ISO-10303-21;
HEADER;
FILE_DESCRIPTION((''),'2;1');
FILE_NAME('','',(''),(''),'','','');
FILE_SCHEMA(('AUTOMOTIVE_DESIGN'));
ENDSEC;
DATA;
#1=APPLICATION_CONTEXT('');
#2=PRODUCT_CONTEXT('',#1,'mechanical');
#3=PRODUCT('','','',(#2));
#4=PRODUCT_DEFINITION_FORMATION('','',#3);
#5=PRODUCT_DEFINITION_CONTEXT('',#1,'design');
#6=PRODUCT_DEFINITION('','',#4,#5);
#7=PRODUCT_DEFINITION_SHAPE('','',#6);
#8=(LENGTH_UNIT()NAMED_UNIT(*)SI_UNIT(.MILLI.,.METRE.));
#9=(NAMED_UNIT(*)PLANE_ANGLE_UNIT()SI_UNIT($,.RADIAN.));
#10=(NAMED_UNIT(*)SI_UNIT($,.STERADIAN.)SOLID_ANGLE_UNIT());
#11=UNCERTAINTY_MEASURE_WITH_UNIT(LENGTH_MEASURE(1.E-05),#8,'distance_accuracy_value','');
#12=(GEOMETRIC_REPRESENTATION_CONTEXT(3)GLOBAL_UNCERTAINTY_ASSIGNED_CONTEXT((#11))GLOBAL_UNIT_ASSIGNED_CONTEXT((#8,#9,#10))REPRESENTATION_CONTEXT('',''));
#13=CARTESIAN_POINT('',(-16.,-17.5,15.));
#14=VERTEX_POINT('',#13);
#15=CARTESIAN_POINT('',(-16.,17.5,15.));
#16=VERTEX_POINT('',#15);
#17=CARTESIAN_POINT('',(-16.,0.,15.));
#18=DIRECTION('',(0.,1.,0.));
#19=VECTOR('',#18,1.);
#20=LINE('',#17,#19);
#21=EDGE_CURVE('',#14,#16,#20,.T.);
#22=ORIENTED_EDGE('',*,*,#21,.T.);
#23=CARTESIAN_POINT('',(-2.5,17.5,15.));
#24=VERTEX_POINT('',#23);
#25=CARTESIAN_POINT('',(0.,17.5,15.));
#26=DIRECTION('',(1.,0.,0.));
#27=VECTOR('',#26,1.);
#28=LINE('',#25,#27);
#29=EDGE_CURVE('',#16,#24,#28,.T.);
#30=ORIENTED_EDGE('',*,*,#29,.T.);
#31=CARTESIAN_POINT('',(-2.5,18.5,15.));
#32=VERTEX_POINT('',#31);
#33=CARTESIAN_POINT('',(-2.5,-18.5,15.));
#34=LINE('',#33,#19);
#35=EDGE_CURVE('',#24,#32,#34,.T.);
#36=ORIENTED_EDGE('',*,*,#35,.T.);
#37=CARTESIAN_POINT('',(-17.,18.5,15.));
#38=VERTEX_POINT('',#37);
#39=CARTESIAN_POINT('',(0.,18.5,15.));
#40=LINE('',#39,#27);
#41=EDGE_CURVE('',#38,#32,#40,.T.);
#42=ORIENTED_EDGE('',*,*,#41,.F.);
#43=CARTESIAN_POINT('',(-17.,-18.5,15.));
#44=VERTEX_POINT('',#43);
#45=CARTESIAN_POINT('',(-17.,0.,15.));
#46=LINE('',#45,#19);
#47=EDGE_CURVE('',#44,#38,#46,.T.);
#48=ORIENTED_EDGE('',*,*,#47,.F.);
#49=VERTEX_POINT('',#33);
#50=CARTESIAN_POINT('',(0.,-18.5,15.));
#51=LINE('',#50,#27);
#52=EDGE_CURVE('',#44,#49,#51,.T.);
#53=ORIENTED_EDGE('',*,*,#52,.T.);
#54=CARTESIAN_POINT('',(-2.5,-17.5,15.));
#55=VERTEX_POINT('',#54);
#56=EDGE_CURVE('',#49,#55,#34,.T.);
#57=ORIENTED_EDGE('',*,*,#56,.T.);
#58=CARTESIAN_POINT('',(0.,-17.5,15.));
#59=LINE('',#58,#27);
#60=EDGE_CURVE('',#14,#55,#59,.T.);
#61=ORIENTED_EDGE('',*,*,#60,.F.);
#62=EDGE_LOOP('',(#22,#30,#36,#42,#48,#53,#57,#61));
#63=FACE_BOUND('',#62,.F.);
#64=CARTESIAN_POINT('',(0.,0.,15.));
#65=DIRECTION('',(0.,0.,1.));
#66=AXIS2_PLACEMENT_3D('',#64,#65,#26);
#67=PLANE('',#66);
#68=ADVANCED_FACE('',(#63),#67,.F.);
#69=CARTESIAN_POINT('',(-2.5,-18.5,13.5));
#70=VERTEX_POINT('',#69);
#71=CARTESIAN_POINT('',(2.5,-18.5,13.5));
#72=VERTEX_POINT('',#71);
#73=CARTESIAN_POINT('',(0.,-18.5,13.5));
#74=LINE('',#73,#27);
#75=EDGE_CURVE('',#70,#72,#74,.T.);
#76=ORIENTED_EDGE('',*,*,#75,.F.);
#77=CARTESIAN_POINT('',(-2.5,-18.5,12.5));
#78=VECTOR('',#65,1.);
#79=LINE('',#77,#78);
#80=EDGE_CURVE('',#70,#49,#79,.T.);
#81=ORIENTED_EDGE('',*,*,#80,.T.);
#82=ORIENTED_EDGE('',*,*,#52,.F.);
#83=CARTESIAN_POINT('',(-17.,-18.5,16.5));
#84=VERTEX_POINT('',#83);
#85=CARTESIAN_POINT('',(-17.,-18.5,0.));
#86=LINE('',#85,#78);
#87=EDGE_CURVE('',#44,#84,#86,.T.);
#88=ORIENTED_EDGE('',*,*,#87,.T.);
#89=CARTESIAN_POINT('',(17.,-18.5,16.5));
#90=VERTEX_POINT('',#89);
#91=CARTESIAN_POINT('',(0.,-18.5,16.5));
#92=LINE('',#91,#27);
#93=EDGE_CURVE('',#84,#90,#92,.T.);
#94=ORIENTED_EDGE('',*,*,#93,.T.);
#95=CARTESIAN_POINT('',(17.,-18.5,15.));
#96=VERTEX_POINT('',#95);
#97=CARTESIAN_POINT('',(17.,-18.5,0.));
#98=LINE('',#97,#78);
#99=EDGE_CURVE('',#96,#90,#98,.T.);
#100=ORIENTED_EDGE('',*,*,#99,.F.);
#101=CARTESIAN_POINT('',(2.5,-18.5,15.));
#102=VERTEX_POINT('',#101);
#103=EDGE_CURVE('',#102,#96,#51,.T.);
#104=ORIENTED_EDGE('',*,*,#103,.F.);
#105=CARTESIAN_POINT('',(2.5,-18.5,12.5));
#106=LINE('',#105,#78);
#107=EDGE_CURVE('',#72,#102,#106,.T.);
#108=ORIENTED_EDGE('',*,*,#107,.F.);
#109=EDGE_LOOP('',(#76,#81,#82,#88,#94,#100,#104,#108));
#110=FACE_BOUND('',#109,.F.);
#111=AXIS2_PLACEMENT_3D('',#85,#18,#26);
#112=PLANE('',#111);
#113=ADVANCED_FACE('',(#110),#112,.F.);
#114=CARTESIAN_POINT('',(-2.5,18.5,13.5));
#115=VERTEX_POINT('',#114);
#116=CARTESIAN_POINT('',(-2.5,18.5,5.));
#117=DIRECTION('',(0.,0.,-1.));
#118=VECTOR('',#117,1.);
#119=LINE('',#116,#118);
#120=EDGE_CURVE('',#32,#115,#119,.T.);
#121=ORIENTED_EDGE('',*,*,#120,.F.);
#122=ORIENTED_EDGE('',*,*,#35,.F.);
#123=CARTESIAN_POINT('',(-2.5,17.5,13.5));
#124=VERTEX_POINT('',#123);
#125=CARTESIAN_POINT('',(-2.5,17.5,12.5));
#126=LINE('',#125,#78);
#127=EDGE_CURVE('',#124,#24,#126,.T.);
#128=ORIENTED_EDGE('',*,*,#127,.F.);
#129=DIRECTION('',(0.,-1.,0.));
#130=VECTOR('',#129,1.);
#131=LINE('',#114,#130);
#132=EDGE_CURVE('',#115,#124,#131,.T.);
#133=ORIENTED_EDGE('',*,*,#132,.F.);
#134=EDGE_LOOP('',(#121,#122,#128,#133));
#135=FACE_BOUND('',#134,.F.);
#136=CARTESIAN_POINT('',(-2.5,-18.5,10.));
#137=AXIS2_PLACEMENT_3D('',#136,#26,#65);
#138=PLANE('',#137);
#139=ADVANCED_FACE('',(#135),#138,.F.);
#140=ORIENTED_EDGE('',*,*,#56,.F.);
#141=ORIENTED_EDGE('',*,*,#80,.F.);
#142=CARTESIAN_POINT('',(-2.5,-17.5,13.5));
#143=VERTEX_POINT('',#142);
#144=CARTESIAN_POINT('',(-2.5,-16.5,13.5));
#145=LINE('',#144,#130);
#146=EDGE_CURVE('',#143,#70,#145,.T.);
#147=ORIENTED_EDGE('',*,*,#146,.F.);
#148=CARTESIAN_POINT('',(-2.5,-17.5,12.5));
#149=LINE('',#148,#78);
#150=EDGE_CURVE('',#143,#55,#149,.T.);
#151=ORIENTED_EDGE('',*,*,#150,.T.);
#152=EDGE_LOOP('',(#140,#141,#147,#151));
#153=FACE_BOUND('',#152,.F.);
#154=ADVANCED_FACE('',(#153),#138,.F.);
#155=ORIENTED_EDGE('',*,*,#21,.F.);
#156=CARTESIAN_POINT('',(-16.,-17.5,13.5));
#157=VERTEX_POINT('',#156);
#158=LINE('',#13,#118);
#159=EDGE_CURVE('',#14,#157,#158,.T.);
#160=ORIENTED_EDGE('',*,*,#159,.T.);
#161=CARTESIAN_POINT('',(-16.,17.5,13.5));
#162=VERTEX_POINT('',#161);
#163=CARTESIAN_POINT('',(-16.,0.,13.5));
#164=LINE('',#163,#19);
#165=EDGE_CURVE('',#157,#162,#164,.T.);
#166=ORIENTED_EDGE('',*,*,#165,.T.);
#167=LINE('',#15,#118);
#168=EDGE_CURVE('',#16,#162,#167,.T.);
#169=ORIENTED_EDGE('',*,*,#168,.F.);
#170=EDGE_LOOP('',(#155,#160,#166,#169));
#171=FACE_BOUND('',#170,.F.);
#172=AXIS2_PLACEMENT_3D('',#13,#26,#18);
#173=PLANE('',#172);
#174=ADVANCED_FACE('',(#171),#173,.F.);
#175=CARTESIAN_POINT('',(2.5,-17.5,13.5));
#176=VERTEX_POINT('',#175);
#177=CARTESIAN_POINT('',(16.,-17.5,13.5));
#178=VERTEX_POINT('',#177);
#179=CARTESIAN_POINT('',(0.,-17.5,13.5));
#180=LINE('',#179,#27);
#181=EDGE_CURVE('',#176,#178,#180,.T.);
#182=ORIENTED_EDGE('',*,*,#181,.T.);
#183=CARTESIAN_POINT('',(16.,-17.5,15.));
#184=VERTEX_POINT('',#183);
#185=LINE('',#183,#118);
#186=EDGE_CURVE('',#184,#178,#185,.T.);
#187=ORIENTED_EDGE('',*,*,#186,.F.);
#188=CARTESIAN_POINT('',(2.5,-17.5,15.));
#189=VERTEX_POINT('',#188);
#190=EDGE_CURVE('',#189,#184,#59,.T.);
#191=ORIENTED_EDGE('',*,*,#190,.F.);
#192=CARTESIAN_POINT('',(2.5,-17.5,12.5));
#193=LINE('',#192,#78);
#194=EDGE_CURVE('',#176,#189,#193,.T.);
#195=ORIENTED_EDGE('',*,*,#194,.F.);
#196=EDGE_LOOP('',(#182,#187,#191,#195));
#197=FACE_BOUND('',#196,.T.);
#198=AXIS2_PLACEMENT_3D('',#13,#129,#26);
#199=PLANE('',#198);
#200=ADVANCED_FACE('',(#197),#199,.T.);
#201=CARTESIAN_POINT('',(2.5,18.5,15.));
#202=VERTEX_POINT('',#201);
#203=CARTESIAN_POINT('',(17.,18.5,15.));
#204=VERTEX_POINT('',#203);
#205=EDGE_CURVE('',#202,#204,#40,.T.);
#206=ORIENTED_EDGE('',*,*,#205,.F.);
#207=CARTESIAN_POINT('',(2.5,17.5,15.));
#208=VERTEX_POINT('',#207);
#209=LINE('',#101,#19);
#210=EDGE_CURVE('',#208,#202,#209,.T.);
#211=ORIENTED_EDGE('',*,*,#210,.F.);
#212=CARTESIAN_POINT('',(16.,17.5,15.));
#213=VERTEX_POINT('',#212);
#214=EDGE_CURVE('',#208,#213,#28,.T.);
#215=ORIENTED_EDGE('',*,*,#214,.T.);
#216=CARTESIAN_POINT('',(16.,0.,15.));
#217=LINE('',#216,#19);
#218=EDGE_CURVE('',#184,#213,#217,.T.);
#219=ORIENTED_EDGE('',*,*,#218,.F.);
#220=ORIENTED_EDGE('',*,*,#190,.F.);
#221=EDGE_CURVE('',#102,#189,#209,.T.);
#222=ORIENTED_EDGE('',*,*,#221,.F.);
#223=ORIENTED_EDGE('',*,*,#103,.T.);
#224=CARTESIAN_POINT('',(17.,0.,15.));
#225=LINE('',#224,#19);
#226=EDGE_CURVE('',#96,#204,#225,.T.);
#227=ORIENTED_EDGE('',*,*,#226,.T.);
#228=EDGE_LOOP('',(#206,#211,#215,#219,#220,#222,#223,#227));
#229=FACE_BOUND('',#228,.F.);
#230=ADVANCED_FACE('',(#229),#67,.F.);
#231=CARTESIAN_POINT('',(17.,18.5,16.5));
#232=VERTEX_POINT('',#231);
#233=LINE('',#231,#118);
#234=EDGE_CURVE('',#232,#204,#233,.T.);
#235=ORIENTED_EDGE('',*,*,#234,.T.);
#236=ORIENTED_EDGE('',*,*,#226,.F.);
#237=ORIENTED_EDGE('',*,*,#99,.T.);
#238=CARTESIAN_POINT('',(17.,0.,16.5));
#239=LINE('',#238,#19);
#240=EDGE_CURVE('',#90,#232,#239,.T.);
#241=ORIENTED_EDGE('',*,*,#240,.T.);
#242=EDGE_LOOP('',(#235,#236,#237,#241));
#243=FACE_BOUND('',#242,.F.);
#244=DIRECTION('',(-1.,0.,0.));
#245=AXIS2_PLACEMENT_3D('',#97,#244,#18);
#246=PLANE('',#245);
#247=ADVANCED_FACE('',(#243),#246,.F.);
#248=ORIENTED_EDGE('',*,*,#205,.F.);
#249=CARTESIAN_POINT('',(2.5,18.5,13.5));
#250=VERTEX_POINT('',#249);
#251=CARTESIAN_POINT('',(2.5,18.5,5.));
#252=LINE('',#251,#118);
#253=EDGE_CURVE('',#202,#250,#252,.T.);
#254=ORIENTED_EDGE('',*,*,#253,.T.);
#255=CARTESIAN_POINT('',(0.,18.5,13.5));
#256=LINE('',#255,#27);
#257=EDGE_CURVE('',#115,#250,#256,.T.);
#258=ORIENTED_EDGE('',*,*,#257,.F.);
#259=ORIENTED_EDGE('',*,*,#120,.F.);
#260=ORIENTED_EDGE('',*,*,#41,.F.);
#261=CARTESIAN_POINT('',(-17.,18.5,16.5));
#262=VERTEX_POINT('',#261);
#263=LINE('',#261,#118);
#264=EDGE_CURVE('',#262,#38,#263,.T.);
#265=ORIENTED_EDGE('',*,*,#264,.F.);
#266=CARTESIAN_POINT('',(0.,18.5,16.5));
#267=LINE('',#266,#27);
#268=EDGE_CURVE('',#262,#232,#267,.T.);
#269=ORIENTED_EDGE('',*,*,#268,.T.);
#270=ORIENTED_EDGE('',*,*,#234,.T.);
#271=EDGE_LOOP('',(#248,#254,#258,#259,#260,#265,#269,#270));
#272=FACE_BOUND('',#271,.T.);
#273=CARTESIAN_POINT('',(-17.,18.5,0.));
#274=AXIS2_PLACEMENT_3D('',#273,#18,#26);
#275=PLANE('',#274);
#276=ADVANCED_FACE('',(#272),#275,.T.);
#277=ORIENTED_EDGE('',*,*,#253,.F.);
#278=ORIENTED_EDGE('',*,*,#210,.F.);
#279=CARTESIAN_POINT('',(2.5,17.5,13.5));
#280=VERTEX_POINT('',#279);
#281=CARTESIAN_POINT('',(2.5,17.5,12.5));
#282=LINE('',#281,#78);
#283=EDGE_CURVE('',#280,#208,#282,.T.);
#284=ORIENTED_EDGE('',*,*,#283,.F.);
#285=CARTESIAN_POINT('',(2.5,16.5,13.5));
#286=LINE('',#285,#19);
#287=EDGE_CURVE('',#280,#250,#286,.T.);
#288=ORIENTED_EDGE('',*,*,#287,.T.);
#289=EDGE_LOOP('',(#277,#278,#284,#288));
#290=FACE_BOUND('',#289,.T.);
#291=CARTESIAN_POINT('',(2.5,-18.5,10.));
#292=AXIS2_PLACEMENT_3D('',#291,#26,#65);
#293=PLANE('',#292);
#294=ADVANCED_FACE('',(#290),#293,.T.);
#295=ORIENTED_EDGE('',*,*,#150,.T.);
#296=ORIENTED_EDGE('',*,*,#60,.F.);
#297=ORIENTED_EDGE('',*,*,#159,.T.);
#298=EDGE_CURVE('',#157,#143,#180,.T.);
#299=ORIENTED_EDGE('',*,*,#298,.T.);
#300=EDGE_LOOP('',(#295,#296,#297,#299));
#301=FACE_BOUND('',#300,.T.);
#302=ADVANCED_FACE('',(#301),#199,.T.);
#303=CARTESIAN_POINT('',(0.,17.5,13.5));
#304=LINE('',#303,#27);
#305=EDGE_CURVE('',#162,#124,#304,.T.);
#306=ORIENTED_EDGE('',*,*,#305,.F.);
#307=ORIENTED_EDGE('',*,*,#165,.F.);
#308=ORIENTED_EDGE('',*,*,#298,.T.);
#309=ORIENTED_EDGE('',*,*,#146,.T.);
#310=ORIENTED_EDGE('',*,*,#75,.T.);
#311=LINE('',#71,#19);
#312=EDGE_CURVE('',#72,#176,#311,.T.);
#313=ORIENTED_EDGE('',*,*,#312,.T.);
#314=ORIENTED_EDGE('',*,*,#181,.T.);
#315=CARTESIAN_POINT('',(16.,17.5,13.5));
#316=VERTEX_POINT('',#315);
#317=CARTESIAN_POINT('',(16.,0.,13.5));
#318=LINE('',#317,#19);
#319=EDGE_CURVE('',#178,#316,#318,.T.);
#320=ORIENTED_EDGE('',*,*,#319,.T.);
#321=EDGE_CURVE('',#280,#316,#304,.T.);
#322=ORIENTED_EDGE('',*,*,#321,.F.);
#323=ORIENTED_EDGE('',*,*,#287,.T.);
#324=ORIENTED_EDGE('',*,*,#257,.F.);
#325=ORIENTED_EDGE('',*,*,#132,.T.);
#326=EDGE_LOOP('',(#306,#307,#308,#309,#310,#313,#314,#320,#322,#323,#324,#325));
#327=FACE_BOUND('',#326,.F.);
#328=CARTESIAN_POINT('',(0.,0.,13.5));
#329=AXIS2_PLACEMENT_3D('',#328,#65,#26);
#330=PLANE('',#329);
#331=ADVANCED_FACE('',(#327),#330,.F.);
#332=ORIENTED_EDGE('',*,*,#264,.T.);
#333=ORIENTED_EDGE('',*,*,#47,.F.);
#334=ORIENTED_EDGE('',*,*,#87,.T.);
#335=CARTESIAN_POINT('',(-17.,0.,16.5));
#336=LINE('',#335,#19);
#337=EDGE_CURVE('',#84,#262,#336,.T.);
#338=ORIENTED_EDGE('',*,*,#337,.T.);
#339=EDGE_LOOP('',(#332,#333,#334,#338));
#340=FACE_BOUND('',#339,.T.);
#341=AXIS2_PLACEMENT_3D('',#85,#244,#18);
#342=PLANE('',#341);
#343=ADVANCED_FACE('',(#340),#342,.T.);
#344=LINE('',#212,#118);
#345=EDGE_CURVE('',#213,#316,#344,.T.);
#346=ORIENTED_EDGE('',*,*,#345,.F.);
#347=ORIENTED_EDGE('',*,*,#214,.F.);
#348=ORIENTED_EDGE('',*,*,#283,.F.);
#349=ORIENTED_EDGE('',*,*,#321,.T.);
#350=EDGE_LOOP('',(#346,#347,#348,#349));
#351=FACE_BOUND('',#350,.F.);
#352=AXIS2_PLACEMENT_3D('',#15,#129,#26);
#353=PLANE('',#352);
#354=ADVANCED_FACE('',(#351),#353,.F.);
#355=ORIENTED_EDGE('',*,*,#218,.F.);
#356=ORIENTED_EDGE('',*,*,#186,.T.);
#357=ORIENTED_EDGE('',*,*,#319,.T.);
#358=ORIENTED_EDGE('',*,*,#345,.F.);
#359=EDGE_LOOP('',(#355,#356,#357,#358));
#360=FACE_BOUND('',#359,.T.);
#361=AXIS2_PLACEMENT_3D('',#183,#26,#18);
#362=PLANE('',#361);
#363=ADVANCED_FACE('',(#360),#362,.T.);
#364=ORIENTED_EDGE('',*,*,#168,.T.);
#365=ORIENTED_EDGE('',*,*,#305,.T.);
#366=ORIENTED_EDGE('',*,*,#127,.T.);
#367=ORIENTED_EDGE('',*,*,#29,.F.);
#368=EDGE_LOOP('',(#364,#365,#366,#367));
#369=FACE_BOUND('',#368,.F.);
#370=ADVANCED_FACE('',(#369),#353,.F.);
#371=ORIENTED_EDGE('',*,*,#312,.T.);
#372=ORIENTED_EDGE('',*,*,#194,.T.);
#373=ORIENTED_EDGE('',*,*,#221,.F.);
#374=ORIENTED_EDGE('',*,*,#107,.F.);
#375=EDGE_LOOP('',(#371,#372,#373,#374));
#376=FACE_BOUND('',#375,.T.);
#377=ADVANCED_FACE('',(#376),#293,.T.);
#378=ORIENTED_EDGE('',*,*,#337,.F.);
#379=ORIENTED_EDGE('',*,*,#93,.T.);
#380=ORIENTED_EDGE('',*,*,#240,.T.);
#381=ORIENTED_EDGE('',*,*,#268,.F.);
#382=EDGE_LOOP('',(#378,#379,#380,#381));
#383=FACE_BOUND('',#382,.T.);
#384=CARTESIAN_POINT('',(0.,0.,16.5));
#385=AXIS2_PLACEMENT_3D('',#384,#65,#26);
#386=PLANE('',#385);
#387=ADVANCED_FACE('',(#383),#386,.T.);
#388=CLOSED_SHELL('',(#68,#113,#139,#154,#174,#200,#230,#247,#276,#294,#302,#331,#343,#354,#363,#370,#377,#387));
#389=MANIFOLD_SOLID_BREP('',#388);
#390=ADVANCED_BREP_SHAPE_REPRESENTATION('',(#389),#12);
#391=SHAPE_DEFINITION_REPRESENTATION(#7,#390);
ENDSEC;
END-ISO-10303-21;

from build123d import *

# Parameters (mm, degrees)
SKETCH_W        = 34
SKETCH_H        = 37
PAD_DEPTH       = 15
SKETCH001_W     = 32
SKETCH001_H     = 35
POCKET_DEPTH    = 1.5
SKETCH002_W     = 30
SKETCH002_H     = 33
POCKET001_DEPTH = 10
SKETCH003_W     = 5
SKETCH003_H     = 5
POCKET002_DEPTH = 300
SKETCH004_W     = 34
SKETCH004_H     = 37
PAD001_DEPTH    = 1.5


with BuildPart() as pocket002:
    # Sketch → Pad (new body)
    with BuildSketch(Plane.XY):
        Rectangle(SKETCH_W, SKETCH_H)
    extrude(amount=PAD_DEPTH)

    # Sketch001 → Pocket (cut)
    with BuildSketch(Plane.XY.offset(15)):
        Rectangle(SKETCH001_W, SKETCH001_H)
    extrude(amount=-POCKET_DEPTH, mode=Mode.SUBTRACT)

    # Sketch002 → Pocket001 (cut)
    with BuildSketch(Plane.XY.offset(13.5)):
        Rectangle(SKETCH002_W, SKETCH002_H)
    extrude(amount=-POCKET001_DEPTH, mode=Mode.SUBTRACT)

    # Sketch003 → Pocket002 (cut)
    with BuildSketch(Plane.XZ.offset(18.5)):
        with Locations((0, 12.5)):
            Rectangle(SKETCH003_W, SKETCH003_H)
    extrude(amount=-POCKET002_DEPTH, mode=Mode.SUBTRACT)


with BuildPart() as cut:
    # Pad001 base: copy of Pocket002
    add(pocket002.part)

    # Sketch004 → Pad001 (new body, symmetric)
    with BuildSketch(Plane.XY.offset(15)):
        Rectangle(SKETCH004_W, SKETCH004_H)
    extrude(amount=PAD001_DEPTH, both=True)

    # Cut: cut Pocket002
    add(pocket002.part, mode=Mode.SUBTRACT)


solid = cut.part
